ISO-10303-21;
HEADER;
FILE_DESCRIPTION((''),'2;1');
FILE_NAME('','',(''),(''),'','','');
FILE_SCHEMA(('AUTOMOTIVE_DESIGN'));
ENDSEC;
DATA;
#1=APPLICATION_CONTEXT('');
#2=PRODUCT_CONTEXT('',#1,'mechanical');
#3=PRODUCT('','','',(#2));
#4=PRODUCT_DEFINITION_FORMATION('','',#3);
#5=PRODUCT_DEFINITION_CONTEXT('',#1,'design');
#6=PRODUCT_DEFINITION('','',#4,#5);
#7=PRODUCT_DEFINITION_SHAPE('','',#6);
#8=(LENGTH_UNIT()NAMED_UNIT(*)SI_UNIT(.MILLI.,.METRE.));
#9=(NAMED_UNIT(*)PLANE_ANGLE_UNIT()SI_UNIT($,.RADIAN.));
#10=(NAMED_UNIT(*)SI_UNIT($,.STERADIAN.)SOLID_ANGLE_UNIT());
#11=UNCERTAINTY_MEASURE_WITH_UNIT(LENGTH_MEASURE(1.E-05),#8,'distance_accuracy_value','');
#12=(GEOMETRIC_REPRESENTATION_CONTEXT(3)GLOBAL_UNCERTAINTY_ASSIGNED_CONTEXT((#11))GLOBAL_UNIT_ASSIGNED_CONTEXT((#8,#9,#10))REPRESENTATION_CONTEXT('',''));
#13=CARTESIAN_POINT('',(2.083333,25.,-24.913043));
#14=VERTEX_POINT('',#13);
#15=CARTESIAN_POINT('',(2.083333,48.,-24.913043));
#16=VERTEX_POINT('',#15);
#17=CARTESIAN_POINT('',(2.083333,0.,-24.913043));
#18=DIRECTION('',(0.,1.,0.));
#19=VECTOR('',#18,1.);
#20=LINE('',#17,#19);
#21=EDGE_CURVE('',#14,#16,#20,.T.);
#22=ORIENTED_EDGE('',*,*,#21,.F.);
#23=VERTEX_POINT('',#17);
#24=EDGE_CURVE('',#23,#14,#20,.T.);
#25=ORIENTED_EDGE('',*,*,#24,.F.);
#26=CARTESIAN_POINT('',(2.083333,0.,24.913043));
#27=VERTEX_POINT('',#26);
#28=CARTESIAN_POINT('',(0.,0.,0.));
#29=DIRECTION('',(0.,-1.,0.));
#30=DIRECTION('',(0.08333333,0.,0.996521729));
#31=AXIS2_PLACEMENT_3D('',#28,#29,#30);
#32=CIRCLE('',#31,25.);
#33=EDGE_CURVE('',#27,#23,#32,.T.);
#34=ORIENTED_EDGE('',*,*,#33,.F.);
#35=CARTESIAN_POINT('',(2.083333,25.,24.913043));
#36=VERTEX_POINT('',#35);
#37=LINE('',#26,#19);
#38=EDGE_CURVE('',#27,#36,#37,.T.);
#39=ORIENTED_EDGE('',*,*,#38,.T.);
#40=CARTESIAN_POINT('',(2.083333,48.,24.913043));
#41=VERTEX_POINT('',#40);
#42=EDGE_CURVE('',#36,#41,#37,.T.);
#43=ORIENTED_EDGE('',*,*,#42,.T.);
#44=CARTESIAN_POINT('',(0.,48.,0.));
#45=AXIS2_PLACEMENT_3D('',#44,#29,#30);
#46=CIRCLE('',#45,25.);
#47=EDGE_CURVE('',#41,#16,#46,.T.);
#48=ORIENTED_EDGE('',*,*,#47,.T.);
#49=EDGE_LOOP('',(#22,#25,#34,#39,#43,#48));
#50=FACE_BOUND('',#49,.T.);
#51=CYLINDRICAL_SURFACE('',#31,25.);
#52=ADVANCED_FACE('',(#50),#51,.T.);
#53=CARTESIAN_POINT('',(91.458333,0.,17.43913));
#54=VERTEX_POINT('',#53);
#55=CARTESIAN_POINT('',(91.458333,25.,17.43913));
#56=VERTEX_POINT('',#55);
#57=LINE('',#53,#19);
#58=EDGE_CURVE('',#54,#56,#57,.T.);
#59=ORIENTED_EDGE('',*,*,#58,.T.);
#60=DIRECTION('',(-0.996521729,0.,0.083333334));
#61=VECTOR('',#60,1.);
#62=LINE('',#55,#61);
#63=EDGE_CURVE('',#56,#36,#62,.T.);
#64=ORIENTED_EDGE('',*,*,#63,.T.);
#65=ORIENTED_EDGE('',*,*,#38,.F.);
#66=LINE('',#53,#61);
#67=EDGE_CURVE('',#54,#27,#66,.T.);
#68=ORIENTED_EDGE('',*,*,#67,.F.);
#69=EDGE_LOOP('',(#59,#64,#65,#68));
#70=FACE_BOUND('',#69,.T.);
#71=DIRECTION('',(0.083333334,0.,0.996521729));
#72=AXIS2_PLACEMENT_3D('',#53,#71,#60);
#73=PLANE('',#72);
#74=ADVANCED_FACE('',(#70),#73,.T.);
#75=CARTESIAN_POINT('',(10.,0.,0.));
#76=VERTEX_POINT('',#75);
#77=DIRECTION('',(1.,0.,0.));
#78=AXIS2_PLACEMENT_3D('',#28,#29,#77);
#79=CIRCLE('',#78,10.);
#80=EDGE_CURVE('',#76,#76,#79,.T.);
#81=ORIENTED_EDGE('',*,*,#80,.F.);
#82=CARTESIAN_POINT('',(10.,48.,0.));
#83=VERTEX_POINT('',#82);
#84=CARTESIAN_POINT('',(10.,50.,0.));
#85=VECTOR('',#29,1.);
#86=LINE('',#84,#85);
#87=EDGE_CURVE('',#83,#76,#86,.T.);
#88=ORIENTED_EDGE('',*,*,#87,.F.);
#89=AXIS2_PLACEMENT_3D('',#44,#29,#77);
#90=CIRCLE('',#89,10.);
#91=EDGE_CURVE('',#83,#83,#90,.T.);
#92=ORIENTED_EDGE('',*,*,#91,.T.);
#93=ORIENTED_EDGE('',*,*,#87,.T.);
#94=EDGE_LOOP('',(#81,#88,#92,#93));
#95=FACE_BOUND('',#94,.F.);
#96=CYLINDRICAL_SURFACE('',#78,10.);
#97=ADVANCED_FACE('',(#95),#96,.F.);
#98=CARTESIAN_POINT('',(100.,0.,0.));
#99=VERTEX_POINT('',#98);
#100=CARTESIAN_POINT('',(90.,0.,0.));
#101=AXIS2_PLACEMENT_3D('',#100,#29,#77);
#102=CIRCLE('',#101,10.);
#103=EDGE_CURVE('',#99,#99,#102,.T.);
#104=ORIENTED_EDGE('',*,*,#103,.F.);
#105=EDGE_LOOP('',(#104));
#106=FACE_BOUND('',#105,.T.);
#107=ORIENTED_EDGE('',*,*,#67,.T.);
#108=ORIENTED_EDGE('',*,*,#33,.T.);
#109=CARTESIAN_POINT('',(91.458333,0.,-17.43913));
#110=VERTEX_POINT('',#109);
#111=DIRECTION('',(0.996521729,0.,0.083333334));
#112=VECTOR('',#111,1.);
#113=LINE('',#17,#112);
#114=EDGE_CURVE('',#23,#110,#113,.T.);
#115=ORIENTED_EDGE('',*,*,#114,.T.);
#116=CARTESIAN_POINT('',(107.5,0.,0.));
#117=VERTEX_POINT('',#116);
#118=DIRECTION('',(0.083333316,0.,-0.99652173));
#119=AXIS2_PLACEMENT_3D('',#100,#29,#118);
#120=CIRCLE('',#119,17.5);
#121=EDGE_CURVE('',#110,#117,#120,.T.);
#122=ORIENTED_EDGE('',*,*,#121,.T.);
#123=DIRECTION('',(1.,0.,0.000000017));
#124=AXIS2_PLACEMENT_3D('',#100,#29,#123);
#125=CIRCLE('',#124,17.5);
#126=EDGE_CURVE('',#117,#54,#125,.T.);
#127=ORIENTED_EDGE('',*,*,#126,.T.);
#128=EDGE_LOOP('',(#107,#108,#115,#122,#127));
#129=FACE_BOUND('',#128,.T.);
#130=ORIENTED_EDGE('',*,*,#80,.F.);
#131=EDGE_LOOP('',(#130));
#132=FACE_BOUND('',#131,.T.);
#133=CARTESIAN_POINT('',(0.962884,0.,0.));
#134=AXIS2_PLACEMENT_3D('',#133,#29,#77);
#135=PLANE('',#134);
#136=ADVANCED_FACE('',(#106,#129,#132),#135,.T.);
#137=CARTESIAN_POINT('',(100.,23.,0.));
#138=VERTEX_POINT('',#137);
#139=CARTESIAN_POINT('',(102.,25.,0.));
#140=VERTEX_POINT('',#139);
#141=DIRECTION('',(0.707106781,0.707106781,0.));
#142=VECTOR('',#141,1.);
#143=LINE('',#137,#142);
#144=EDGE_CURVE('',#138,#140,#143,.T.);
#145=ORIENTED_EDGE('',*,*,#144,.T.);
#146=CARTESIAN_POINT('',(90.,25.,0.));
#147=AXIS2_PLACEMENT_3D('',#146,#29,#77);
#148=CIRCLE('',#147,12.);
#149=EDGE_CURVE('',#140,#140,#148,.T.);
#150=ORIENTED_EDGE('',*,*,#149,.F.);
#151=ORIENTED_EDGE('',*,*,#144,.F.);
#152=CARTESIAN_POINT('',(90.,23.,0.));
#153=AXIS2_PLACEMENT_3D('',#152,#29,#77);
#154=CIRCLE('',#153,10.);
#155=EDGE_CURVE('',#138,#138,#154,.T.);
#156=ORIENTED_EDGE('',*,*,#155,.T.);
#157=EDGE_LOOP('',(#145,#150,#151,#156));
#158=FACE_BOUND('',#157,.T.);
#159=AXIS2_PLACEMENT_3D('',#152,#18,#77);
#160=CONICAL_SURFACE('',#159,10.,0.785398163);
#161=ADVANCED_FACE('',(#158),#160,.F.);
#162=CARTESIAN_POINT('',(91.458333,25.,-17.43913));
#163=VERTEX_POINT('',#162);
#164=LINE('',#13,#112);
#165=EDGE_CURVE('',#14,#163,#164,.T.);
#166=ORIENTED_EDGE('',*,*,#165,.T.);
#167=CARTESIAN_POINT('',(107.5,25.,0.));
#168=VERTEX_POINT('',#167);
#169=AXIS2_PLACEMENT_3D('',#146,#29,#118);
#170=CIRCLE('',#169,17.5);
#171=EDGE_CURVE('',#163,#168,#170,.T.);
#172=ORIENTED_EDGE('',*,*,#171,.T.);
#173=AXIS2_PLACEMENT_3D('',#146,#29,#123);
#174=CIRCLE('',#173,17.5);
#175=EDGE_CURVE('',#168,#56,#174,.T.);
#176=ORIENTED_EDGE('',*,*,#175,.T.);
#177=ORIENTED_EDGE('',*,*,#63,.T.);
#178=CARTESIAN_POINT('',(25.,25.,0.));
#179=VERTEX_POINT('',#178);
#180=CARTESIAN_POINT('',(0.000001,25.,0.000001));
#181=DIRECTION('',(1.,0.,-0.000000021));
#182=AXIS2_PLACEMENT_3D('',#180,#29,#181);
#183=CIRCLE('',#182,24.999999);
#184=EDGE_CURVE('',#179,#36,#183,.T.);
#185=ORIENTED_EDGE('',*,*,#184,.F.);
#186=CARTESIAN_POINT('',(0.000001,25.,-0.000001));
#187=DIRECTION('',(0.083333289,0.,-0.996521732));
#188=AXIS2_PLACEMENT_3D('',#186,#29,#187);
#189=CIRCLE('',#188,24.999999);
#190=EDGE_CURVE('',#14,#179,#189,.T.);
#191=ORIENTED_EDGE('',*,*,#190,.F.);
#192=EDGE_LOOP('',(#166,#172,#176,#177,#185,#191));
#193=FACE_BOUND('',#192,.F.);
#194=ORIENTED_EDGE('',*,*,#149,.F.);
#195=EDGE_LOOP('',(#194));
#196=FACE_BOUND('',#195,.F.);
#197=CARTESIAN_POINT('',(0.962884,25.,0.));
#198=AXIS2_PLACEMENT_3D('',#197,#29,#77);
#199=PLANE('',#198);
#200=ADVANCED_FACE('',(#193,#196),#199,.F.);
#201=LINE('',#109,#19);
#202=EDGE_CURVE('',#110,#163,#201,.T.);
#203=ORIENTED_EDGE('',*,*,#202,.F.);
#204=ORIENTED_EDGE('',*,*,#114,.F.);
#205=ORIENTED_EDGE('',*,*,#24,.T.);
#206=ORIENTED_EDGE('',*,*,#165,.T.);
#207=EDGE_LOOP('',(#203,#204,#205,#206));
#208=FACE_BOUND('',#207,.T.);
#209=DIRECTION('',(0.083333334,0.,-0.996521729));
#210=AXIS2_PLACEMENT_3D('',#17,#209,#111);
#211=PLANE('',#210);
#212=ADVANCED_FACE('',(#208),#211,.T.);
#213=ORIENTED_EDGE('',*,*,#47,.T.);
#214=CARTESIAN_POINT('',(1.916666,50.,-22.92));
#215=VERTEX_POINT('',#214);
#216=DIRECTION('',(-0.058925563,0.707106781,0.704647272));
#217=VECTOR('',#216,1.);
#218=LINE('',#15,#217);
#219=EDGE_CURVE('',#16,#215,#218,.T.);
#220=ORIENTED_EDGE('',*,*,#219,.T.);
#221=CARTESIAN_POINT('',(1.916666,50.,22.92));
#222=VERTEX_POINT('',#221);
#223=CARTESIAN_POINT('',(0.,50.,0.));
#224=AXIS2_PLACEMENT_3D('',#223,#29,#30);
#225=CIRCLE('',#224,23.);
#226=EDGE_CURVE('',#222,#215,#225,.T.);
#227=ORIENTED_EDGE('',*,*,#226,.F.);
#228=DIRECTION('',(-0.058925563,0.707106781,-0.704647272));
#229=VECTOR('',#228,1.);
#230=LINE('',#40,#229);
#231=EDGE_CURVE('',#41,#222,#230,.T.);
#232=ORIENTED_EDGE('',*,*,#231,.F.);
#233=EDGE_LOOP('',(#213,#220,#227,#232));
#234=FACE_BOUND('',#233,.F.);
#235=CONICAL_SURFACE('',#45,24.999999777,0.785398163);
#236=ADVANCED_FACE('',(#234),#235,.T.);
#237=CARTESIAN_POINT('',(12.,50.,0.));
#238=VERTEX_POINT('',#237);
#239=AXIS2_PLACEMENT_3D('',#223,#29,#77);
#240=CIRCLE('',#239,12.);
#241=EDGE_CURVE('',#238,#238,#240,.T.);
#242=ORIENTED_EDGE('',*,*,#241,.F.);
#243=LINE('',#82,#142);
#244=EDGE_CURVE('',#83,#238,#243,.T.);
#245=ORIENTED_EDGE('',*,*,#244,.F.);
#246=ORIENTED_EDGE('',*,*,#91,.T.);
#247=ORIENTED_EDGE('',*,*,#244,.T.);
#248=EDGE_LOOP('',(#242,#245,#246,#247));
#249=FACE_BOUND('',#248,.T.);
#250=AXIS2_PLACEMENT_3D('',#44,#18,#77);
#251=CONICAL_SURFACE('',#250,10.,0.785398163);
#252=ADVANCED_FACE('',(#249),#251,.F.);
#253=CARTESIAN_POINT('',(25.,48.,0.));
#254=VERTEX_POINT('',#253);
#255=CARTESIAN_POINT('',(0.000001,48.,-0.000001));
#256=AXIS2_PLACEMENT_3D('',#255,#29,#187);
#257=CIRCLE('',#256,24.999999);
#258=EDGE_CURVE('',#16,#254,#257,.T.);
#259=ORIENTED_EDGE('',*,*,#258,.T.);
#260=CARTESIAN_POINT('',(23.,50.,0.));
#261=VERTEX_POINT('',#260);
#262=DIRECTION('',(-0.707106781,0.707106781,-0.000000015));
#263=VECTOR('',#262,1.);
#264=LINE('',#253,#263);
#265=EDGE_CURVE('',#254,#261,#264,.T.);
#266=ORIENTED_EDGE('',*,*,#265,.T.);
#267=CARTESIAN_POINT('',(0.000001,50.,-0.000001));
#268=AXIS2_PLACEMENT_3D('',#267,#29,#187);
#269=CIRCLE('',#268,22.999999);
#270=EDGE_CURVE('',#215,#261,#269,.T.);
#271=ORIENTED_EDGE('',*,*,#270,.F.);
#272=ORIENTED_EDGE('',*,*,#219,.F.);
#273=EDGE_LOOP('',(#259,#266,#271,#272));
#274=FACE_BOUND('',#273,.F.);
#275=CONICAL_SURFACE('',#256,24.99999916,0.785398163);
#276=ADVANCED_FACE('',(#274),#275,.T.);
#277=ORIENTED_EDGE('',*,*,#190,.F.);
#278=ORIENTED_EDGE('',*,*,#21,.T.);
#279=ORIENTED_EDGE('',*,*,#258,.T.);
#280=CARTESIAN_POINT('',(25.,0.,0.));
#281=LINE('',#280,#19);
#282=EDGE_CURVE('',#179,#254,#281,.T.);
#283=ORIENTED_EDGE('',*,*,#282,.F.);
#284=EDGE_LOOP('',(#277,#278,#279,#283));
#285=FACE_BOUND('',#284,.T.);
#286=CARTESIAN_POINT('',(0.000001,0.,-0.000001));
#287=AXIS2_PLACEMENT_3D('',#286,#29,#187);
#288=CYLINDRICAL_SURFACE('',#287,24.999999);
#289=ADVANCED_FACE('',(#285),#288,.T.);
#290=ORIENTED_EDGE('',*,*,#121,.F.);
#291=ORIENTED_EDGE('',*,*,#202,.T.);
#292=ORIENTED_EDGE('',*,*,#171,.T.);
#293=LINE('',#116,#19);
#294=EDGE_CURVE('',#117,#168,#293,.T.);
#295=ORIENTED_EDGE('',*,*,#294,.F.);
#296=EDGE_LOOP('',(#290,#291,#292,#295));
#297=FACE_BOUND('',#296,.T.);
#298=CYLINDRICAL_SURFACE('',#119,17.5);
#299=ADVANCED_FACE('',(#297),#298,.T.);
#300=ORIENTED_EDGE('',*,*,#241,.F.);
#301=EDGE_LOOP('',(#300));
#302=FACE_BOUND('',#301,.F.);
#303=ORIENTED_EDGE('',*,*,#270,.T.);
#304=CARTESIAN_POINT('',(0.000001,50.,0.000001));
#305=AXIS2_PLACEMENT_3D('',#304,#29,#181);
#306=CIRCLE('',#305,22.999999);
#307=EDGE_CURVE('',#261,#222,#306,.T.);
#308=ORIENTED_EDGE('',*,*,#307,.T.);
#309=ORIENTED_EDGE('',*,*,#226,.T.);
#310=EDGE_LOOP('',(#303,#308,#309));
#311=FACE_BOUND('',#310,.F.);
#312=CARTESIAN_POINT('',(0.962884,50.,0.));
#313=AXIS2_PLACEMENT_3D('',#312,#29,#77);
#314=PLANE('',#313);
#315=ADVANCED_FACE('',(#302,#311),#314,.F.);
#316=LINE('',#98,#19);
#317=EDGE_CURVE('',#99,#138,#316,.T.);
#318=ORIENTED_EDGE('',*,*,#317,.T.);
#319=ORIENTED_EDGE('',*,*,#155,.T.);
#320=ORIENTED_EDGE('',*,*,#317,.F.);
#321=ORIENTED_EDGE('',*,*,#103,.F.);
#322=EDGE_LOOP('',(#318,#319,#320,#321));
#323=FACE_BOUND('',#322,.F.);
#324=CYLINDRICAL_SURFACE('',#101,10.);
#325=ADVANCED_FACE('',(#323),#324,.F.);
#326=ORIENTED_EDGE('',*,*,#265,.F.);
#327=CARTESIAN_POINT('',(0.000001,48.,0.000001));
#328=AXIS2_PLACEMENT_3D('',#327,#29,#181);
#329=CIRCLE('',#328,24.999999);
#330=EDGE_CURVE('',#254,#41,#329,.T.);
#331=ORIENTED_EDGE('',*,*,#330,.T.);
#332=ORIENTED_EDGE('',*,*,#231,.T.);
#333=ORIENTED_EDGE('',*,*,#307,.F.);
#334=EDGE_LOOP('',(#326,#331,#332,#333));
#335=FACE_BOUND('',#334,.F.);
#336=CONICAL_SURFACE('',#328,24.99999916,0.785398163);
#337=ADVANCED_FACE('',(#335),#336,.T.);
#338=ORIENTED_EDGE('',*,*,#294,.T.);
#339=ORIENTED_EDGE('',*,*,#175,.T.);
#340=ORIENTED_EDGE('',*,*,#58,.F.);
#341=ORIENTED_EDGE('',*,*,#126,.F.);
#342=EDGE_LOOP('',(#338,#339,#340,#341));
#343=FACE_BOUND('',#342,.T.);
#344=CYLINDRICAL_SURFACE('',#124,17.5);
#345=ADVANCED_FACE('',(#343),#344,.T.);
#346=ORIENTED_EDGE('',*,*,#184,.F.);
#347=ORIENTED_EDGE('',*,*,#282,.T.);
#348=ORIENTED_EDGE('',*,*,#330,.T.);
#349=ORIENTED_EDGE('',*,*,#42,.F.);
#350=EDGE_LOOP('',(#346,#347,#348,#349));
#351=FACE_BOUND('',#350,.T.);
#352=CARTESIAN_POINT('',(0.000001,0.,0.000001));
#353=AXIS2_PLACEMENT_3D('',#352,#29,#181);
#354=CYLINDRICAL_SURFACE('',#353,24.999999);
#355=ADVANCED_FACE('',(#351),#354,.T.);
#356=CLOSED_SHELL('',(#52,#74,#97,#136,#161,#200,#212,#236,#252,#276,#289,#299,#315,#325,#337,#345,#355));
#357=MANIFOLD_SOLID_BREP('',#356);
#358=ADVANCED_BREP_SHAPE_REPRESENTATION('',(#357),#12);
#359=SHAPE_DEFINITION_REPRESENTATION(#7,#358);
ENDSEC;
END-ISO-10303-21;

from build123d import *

# Parameters (mm, degrees)
F0_R     = 10
F1_DEPTH = 25
F2_DEPTH = 50
F3_SIZE  = 2


with BuildPart() as f1:
    # F0 (on Front) → F1 (new body)
    with BuildSketch(Plane.XZ):
        with BuildLine():
            ThreePointArc((2.083333, -24.913043), (18.399502, -16.92508), (25, 0))
            ThreePointArc((25, 0), (18.399502, 16.92508), (2.083333, 24.913043))
            ThreePointArc((2.083333, 24.913043), (-25, 0), (2.083333, -24.913043))
        make_face()
        Circle(F0_R, mode=Mode.SUBTRACT)
        with BuildLine():
            ThreePointArc((2.083333, 24.913043), (18.399502, 16.92508), (25, 0))
            ThreePointArc((25, 0), (18.399502, -16.92508), (2.083333, -24.913043))
            Line((2.083333, -24.913043), (91.458333, -17.43913))
            ThreePointArc((91.458333, -17.43913), (72.5, 0), (91.458333, 17.43913))
            Line((91.458333, 17.43913), (2.083333, 24.913043))
        make_face()
        with BuildLine():
            ThreePointArc((107.5, 0), (102.879651, 11.847556), (91.458333, 17.43913))
            ThreePointArc((91.458333, 17.43913), (72.5, 0), (91.458333, -17.43913))
            ThreePointArc((91.458333, -17.43913), (102.879651, -11.847556), (107.5, 0))
        make_face()
        with Locations((90, 0)):
            Circle(F0_R, mode=Mode.SUBTRACT)
    extrude(amount=-F1_DEPTH)

    # F0 (on Front) → F2 (join)
    with BuildSketch(Plane.XZ):
        with BuildLine():
            ThreePointArc((2.083333, -24.913043), (18.399502, -16.92508), (25, 0))
            ThreePointArc((25, 0), (18.399502, 16.92508), (2.083333, 24.913043))
            ThreePointArc((2.083333, 24.913043), (-25, 0), (2.083333, -24.913043))
        make_face()
        Circle(F0_R, mode=Mode.SUBTRACT)
    extrude(amount=-F2_DEPTH)

    # F3
    f3_edges = [f1.edges().sort_by_distance(p)[0] for p in [
        (-10, 50, 0),
        (80, 25, 0),
        (-2.083333, 50, 24.913043),
    ]]
    chamfer(f3_edges, length=F3_SIZE)


solid = f1.part
